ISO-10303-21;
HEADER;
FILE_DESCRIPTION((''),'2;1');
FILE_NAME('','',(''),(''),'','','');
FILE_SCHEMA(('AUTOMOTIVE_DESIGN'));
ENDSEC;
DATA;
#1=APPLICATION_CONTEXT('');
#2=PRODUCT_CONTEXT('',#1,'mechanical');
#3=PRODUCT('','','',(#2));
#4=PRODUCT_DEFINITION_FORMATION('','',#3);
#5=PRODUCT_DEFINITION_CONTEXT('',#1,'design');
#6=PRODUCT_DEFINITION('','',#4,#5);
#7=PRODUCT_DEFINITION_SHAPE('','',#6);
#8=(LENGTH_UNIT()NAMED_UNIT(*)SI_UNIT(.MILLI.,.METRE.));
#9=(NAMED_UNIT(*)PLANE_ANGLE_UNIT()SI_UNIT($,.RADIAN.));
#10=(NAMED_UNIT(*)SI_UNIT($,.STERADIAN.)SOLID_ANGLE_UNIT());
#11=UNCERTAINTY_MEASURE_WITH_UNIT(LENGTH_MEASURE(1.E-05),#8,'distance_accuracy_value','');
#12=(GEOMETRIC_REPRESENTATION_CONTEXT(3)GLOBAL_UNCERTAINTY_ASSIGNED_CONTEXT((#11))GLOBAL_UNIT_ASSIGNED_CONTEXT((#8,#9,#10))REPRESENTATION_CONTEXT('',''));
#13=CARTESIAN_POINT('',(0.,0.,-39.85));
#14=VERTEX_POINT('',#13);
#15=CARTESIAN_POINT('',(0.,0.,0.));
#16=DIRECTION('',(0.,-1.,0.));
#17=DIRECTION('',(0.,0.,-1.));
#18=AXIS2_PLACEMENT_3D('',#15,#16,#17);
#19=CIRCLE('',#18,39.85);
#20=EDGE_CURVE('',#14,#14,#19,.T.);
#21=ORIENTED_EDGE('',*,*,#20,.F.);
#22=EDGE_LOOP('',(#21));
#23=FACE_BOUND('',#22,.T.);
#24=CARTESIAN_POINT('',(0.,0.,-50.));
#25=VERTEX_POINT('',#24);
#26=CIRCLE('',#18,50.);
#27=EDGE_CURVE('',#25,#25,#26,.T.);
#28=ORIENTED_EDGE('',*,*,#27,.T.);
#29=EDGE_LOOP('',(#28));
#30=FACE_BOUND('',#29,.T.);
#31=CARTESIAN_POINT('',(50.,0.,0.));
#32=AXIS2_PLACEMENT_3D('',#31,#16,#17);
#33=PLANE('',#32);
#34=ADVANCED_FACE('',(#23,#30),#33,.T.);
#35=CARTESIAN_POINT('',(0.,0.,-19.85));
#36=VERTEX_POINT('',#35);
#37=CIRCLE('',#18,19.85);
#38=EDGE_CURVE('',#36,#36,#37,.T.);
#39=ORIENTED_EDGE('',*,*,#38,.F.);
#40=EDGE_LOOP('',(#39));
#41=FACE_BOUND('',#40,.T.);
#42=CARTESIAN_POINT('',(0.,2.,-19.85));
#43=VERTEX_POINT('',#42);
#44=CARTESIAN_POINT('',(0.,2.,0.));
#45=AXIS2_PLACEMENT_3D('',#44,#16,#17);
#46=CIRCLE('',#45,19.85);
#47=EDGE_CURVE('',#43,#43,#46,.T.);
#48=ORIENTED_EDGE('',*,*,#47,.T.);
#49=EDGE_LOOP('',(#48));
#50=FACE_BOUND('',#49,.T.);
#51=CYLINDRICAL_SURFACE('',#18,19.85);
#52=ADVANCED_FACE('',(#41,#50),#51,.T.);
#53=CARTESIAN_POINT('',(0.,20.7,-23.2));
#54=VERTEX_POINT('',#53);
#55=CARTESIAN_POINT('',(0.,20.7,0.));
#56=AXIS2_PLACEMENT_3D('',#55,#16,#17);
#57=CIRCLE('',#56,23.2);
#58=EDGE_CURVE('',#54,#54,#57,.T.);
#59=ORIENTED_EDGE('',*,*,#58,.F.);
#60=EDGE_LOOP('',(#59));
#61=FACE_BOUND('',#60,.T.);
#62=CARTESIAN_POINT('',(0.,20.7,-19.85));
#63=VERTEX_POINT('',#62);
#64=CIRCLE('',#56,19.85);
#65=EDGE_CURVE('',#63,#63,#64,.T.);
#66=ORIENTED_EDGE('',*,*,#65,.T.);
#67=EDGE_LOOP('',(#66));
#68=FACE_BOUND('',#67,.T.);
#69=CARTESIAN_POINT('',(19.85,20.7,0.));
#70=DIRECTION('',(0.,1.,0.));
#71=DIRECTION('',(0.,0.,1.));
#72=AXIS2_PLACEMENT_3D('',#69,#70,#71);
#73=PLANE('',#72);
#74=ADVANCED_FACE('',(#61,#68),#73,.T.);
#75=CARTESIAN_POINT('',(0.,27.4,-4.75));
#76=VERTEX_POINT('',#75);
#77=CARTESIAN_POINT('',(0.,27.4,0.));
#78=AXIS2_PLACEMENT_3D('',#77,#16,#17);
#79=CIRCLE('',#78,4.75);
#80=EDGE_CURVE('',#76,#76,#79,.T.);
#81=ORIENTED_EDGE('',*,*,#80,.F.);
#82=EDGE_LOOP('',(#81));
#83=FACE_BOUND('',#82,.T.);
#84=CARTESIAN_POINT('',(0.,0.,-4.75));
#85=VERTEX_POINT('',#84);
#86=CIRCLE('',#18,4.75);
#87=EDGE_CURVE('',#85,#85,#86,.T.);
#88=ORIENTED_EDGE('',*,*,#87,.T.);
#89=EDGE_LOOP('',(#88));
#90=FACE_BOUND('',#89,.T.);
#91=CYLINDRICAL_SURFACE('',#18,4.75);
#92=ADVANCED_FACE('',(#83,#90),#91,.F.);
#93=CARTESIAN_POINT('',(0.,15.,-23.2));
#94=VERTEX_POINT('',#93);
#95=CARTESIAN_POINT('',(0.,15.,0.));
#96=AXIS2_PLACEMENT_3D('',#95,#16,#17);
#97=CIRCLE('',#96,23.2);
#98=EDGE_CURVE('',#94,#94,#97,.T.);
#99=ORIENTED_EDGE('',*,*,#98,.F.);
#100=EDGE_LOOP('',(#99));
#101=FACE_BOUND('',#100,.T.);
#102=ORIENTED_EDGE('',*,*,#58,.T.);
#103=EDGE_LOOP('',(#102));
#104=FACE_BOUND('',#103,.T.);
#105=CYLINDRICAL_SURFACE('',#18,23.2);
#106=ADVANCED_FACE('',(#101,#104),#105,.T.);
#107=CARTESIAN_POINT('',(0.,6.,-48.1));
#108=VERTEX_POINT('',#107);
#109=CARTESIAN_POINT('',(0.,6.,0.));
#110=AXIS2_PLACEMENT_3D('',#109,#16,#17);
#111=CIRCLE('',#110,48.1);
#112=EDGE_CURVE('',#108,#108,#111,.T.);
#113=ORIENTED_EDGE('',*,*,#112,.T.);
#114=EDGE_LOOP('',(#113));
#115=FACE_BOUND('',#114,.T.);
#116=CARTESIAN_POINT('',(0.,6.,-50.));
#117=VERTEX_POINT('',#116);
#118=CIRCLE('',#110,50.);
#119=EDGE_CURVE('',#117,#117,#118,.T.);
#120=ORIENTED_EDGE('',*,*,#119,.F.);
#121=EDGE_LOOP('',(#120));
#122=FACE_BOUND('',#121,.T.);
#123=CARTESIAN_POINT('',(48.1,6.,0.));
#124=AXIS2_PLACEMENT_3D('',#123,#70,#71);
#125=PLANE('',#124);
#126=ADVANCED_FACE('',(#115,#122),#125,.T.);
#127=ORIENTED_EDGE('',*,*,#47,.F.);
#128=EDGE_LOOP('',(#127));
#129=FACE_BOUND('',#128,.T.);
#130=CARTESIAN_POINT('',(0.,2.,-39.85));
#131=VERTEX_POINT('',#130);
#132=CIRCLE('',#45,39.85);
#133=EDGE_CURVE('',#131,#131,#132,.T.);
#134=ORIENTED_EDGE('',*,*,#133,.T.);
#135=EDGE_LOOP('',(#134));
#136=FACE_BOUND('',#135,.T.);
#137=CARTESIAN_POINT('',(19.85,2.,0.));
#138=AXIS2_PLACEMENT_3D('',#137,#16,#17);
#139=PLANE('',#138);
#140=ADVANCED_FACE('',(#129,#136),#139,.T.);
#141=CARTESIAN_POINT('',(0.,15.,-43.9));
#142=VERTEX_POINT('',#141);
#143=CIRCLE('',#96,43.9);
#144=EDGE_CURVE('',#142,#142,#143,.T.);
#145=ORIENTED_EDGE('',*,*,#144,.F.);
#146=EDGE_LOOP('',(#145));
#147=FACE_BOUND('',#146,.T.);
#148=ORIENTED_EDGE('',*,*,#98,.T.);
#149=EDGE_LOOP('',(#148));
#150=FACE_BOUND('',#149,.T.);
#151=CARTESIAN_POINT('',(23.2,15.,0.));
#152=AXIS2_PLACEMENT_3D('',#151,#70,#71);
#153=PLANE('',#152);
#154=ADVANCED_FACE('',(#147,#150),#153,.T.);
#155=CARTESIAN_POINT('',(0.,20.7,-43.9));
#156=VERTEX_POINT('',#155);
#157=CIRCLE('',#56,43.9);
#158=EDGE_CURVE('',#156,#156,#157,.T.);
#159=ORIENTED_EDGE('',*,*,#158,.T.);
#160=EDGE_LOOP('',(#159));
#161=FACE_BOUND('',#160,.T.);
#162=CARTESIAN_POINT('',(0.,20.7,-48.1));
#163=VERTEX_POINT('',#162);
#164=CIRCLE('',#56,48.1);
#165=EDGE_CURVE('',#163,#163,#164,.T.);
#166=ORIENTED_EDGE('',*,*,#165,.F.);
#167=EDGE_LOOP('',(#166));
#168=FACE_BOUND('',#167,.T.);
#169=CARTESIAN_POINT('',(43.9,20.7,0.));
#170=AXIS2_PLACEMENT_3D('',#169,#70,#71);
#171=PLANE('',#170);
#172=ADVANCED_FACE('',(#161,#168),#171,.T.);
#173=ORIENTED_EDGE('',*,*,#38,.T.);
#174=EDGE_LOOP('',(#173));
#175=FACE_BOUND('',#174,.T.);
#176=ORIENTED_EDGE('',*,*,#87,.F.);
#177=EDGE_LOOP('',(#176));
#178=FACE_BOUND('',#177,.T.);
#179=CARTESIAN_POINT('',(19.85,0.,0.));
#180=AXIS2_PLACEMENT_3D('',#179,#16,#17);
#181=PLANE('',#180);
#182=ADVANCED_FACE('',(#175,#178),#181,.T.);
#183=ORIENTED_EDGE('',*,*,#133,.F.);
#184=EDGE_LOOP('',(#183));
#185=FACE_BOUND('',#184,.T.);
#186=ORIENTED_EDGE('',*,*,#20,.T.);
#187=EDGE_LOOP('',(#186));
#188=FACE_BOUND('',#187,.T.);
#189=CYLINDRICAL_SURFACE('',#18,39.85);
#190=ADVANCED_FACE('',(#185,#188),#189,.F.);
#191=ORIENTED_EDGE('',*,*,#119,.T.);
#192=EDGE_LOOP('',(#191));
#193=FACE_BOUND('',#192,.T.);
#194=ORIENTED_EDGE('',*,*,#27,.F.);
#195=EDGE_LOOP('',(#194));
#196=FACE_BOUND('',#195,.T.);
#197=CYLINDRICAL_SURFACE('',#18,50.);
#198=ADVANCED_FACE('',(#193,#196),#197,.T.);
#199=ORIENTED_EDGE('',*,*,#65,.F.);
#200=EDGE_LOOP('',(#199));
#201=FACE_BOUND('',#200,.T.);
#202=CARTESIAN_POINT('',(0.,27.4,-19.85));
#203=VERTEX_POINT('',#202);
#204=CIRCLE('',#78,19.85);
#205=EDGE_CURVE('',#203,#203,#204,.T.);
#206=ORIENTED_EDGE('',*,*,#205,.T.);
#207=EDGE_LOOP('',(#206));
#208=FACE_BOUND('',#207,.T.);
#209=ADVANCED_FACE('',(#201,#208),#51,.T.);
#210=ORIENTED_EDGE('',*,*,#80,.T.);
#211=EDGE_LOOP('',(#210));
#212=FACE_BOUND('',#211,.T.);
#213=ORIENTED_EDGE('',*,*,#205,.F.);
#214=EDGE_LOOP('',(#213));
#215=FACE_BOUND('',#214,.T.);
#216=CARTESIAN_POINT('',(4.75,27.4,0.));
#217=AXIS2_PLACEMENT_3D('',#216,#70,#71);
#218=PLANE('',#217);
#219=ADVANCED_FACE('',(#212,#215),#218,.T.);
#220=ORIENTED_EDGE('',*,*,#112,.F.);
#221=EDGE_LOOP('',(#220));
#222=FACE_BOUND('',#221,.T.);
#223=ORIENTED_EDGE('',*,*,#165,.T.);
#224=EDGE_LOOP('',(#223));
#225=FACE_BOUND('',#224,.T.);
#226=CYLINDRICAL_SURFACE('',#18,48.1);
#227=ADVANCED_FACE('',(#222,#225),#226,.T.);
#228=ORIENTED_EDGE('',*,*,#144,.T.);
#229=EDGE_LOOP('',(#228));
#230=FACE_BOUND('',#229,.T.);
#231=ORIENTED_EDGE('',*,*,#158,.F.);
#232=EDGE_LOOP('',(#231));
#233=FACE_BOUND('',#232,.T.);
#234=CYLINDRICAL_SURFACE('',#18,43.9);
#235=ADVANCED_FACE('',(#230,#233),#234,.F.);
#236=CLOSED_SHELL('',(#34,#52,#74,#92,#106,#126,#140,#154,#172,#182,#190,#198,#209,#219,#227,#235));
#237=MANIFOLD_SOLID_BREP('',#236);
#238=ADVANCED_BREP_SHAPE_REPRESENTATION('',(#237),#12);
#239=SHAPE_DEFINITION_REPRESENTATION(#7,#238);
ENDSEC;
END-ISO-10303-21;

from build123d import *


with BuildPart() as part:
    # Esboço1 → Revolução1 (revolve)
    with BuildSketch(Plane.XY):
        Polygon((4.75, 0), (4.75, 27.4), (19.85, 27.4), (19.85, 20.7), (23.2, 20.7), (23.2, 15), (43.9, 15), (43.9, 20.7), (48.1, 20.7), (48.1, 6), (50, 6), (50, 0), (39.85, 0), (39.85, 2), (19.85, 2), (19.85, 0), align=None)
    revolve(axis=Axis((0, 0, 0), (0, 1, 0)))


solid = part.part
